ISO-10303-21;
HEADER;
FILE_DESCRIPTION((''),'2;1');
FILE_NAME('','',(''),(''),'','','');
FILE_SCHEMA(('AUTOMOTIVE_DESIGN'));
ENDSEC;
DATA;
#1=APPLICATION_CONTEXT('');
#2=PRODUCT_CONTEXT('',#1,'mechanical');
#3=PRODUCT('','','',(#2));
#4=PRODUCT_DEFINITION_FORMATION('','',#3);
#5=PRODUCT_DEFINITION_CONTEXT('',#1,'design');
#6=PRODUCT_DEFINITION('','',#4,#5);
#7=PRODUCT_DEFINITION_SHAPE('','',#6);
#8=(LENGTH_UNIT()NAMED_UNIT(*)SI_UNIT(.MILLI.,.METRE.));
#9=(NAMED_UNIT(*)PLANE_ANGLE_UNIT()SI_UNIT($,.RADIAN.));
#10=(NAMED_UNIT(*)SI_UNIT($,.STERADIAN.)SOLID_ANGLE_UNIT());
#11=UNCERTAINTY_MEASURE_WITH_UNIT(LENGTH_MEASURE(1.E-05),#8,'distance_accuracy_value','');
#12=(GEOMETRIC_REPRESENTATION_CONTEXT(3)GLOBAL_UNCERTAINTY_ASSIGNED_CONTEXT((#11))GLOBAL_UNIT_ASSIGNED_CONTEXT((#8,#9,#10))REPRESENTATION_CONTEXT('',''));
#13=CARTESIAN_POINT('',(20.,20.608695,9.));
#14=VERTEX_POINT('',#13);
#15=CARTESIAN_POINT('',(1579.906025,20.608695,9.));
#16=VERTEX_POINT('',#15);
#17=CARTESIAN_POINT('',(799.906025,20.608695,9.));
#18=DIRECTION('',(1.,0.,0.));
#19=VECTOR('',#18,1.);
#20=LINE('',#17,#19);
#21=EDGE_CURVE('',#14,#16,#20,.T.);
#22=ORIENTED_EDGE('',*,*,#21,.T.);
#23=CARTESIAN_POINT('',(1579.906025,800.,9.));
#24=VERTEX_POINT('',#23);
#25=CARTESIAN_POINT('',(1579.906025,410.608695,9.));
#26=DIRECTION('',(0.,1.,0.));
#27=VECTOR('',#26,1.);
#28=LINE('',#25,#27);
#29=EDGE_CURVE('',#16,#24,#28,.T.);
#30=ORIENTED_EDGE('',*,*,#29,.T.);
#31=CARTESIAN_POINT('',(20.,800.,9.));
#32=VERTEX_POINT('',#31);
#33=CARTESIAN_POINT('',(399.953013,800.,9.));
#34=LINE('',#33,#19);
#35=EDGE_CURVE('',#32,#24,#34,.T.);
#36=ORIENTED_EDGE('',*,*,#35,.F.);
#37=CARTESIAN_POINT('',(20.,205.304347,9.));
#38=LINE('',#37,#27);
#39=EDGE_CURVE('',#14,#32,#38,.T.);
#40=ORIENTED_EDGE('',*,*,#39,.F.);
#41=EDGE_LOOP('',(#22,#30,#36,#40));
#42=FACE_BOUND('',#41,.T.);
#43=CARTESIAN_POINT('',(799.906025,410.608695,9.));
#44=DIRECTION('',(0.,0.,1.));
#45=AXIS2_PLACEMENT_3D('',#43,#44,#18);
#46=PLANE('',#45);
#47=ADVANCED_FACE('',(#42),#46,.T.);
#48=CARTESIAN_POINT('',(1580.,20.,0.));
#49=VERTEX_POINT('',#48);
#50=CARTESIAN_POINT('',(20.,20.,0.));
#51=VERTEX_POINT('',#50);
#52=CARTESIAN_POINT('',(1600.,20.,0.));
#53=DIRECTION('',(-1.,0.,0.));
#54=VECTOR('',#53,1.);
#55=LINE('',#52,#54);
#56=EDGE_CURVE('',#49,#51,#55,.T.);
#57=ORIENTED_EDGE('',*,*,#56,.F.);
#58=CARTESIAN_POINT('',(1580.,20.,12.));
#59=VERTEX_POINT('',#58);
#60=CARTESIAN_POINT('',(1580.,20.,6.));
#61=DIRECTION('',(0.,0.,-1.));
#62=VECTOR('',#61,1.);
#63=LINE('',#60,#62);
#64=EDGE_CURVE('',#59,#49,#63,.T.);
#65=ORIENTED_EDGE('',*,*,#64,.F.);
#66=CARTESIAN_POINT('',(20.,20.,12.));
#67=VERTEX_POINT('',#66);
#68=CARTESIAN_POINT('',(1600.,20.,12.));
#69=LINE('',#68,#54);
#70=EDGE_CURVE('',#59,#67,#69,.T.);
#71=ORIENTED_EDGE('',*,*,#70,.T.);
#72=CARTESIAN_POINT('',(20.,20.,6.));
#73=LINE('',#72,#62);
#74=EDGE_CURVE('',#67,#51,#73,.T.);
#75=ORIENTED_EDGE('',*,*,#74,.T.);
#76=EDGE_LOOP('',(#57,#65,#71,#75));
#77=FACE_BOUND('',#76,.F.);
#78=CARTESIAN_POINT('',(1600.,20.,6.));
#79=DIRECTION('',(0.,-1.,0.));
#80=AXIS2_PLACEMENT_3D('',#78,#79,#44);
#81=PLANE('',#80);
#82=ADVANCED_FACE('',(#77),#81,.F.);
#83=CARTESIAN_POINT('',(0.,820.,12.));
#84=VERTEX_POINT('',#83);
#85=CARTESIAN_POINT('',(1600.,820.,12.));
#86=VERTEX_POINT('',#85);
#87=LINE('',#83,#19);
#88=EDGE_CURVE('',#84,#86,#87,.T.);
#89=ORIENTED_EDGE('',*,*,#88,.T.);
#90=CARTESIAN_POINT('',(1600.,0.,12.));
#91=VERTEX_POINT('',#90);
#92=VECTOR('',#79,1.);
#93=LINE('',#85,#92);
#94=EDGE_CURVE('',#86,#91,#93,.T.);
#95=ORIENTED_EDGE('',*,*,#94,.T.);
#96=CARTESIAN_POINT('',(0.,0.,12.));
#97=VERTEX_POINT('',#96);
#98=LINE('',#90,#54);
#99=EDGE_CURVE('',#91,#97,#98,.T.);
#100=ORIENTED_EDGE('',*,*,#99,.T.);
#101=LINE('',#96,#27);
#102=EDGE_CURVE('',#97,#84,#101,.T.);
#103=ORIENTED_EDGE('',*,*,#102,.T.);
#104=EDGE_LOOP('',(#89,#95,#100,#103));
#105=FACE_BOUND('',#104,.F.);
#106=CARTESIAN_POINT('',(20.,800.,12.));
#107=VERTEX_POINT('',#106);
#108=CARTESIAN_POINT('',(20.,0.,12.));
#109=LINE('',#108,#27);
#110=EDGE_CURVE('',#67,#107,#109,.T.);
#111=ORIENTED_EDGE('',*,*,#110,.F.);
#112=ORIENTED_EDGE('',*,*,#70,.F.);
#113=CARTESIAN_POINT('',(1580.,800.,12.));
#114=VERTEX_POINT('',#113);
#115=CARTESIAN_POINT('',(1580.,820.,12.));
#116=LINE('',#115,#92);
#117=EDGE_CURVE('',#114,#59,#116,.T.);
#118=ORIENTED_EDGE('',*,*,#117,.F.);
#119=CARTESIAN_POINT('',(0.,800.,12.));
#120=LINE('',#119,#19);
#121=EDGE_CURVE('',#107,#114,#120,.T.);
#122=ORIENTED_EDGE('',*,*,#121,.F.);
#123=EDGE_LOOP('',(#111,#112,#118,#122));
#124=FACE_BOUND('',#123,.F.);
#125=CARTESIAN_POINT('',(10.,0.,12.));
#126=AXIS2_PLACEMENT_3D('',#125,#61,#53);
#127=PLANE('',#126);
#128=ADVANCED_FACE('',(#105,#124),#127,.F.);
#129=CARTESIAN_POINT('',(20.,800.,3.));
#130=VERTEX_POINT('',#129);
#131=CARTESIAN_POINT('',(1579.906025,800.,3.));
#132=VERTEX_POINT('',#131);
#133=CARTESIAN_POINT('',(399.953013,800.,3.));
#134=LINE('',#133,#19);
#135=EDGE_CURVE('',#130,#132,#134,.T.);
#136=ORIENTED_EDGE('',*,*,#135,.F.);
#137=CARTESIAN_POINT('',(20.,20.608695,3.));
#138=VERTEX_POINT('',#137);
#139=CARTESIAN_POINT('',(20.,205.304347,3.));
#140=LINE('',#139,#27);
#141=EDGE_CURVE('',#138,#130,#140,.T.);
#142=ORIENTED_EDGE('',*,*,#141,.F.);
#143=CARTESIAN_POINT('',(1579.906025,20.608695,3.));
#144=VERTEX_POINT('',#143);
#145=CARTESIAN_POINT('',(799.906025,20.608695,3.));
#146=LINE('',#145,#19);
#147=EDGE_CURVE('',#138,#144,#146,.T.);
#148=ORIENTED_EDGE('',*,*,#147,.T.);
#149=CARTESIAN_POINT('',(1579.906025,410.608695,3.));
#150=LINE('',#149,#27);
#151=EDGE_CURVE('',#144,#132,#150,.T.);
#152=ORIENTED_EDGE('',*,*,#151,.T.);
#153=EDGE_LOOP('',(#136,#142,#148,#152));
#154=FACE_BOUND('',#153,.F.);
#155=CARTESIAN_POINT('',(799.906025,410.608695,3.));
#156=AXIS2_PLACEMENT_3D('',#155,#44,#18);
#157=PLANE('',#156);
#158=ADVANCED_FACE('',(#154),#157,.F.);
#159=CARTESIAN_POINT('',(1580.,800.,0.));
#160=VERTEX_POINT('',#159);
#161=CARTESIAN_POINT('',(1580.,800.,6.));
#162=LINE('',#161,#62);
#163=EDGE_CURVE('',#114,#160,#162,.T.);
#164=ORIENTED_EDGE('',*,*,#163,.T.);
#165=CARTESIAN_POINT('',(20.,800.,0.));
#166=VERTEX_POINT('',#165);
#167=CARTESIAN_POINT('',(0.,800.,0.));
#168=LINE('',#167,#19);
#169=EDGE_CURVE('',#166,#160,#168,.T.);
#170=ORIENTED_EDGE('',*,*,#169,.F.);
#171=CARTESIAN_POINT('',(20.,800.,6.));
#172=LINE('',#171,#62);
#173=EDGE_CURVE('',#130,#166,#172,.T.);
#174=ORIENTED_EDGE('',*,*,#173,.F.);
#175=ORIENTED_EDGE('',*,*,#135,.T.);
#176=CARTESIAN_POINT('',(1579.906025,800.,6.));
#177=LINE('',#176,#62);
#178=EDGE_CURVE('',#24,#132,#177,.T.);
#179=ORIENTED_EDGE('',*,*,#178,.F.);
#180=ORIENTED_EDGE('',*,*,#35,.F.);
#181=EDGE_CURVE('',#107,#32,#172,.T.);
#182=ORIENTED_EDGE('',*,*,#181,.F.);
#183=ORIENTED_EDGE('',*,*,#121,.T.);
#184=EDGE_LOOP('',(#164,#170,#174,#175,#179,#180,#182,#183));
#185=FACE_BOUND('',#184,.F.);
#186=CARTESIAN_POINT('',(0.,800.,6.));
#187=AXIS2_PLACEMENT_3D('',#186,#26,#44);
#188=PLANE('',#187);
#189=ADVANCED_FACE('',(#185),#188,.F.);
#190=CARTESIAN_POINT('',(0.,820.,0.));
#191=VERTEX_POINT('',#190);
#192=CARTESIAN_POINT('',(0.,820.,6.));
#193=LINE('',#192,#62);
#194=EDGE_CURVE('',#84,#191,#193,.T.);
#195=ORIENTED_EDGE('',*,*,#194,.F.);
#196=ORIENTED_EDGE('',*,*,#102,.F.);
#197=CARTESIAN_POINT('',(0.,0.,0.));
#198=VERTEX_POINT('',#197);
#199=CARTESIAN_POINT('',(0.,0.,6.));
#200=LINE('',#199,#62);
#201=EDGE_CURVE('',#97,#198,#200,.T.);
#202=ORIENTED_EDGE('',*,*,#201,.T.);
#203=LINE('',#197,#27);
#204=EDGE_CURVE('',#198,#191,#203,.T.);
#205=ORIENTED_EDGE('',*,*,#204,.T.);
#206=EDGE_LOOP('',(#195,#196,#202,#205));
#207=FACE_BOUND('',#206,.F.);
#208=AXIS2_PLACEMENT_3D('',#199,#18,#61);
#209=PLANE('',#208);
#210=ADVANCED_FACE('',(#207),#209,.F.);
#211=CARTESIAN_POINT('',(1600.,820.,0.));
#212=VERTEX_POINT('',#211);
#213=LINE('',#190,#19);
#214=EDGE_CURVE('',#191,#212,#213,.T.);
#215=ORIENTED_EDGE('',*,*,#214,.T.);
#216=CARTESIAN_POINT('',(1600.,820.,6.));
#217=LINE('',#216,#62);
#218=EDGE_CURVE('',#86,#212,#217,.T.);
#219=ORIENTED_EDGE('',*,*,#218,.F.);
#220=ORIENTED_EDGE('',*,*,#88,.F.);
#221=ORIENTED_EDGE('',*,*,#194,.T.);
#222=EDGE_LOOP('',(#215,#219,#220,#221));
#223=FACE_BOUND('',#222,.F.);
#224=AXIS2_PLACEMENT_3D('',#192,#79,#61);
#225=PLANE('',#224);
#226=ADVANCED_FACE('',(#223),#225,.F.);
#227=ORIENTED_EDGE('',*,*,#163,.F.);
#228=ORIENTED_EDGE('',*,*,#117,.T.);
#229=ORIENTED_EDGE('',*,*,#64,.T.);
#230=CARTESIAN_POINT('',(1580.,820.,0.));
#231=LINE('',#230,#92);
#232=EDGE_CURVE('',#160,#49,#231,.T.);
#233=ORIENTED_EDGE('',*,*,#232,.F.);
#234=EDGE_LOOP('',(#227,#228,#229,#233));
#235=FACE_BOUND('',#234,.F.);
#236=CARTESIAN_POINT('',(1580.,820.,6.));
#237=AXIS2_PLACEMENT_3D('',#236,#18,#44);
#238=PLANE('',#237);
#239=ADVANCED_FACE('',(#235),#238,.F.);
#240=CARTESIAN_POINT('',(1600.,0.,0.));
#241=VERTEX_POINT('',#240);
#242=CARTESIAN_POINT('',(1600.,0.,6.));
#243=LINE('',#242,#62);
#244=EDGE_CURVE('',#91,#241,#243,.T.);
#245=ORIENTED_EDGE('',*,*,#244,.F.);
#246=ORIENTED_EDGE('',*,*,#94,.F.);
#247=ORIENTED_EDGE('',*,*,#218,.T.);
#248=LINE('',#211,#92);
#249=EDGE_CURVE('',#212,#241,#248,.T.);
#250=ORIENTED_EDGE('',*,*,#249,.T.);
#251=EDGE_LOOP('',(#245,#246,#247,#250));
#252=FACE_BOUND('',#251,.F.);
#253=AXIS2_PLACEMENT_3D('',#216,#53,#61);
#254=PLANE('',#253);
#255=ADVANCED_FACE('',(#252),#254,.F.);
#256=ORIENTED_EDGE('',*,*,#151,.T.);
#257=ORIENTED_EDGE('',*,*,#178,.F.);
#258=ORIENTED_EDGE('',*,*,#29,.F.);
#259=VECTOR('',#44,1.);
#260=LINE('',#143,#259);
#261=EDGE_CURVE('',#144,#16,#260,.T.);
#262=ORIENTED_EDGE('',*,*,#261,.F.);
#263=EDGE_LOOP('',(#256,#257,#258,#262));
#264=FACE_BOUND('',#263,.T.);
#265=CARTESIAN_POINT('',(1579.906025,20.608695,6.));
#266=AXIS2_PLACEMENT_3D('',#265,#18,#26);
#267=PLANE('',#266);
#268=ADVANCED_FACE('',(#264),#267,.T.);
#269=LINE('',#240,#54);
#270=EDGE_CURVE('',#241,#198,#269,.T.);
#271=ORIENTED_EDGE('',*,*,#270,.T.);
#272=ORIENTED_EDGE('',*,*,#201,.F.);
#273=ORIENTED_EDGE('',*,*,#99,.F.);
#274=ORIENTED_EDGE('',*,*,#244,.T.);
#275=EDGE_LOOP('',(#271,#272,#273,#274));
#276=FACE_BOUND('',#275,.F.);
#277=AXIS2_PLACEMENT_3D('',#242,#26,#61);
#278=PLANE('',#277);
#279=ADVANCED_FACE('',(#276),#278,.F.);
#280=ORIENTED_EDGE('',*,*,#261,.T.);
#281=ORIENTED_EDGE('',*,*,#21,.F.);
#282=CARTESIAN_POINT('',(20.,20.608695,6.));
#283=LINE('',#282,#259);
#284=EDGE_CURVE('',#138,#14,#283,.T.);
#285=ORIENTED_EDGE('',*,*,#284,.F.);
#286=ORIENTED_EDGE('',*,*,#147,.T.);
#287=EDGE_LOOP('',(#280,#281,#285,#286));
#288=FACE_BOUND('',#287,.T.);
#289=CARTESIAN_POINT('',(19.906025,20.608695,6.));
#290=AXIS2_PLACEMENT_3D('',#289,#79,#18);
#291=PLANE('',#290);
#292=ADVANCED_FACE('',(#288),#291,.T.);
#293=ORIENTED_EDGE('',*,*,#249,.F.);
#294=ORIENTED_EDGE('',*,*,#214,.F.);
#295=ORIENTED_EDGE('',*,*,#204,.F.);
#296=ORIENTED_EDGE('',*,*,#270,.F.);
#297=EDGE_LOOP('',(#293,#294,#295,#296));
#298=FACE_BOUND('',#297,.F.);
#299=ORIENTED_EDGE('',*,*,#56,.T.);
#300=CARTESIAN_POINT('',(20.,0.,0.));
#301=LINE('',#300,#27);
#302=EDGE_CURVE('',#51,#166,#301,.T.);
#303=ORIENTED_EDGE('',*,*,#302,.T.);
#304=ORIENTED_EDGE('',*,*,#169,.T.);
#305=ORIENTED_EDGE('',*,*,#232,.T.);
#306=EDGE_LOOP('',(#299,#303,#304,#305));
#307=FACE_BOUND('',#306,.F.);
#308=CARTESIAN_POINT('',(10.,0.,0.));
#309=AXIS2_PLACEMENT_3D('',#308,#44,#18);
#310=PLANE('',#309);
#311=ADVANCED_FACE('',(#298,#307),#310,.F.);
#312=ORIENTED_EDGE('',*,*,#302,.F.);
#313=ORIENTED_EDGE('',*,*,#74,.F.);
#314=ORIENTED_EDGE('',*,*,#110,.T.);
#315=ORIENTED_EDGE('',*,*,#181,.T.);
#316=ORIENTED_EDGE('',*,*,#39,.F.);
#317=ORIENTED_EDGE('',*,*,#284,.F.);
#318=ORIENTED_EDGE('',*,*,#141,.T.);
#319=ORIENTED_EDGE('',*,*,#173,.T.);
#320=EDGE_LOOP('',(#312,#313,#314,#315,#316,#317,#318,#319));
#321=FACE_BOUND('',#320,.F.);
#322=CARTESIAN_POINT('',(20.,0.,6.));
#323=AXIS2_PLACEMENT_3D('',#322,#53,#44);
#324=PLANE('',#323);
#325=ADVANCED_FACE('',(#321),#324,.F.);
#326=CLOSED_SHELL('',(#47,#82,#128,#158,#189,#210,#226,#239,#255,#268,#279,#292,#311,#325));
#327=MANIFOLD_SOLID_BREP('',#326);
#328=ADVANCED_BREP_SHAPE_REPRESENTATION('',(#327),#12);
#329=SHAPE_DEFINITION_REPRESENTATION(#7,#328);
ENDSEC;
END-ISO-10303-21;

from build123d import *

# Parameters (mm, degrees)
F0_W     = 20
F0_H     = 12
F4_W     = 1560
F4_H     = 780
F5_DEPTH = 3


with BuildPart() as f2:
    # F2: sweep along a path in F1
    with BuildLine(Plane.XY) as f2_path:
        Line((0, 0), (0, 820))
        Line((0, 820), (1600, 820))
        Line((1600, 820), (1600, 0))
        Line((1600, 0), (0, 0))
    # F0 (on Front) → F2 (sweep)
    with BuildSketch(Plane.XZ):
        with Locations((10, 6)):
            Rectangle(F0_W, F0_H)
    sweep(path=f2_path.line, transition=Transition.RIGHT)

    # F4 (on offset) → F5 (join, symmetric)
    with BuildSketch(Plane.XY.offset(6)):
        with Locations((799.9060253799, 410.6086945534)):
            Rectangle(F4_W, F4_H)
    extrude(amount=F5_DEPTH, both=True)


solid = f2.part
